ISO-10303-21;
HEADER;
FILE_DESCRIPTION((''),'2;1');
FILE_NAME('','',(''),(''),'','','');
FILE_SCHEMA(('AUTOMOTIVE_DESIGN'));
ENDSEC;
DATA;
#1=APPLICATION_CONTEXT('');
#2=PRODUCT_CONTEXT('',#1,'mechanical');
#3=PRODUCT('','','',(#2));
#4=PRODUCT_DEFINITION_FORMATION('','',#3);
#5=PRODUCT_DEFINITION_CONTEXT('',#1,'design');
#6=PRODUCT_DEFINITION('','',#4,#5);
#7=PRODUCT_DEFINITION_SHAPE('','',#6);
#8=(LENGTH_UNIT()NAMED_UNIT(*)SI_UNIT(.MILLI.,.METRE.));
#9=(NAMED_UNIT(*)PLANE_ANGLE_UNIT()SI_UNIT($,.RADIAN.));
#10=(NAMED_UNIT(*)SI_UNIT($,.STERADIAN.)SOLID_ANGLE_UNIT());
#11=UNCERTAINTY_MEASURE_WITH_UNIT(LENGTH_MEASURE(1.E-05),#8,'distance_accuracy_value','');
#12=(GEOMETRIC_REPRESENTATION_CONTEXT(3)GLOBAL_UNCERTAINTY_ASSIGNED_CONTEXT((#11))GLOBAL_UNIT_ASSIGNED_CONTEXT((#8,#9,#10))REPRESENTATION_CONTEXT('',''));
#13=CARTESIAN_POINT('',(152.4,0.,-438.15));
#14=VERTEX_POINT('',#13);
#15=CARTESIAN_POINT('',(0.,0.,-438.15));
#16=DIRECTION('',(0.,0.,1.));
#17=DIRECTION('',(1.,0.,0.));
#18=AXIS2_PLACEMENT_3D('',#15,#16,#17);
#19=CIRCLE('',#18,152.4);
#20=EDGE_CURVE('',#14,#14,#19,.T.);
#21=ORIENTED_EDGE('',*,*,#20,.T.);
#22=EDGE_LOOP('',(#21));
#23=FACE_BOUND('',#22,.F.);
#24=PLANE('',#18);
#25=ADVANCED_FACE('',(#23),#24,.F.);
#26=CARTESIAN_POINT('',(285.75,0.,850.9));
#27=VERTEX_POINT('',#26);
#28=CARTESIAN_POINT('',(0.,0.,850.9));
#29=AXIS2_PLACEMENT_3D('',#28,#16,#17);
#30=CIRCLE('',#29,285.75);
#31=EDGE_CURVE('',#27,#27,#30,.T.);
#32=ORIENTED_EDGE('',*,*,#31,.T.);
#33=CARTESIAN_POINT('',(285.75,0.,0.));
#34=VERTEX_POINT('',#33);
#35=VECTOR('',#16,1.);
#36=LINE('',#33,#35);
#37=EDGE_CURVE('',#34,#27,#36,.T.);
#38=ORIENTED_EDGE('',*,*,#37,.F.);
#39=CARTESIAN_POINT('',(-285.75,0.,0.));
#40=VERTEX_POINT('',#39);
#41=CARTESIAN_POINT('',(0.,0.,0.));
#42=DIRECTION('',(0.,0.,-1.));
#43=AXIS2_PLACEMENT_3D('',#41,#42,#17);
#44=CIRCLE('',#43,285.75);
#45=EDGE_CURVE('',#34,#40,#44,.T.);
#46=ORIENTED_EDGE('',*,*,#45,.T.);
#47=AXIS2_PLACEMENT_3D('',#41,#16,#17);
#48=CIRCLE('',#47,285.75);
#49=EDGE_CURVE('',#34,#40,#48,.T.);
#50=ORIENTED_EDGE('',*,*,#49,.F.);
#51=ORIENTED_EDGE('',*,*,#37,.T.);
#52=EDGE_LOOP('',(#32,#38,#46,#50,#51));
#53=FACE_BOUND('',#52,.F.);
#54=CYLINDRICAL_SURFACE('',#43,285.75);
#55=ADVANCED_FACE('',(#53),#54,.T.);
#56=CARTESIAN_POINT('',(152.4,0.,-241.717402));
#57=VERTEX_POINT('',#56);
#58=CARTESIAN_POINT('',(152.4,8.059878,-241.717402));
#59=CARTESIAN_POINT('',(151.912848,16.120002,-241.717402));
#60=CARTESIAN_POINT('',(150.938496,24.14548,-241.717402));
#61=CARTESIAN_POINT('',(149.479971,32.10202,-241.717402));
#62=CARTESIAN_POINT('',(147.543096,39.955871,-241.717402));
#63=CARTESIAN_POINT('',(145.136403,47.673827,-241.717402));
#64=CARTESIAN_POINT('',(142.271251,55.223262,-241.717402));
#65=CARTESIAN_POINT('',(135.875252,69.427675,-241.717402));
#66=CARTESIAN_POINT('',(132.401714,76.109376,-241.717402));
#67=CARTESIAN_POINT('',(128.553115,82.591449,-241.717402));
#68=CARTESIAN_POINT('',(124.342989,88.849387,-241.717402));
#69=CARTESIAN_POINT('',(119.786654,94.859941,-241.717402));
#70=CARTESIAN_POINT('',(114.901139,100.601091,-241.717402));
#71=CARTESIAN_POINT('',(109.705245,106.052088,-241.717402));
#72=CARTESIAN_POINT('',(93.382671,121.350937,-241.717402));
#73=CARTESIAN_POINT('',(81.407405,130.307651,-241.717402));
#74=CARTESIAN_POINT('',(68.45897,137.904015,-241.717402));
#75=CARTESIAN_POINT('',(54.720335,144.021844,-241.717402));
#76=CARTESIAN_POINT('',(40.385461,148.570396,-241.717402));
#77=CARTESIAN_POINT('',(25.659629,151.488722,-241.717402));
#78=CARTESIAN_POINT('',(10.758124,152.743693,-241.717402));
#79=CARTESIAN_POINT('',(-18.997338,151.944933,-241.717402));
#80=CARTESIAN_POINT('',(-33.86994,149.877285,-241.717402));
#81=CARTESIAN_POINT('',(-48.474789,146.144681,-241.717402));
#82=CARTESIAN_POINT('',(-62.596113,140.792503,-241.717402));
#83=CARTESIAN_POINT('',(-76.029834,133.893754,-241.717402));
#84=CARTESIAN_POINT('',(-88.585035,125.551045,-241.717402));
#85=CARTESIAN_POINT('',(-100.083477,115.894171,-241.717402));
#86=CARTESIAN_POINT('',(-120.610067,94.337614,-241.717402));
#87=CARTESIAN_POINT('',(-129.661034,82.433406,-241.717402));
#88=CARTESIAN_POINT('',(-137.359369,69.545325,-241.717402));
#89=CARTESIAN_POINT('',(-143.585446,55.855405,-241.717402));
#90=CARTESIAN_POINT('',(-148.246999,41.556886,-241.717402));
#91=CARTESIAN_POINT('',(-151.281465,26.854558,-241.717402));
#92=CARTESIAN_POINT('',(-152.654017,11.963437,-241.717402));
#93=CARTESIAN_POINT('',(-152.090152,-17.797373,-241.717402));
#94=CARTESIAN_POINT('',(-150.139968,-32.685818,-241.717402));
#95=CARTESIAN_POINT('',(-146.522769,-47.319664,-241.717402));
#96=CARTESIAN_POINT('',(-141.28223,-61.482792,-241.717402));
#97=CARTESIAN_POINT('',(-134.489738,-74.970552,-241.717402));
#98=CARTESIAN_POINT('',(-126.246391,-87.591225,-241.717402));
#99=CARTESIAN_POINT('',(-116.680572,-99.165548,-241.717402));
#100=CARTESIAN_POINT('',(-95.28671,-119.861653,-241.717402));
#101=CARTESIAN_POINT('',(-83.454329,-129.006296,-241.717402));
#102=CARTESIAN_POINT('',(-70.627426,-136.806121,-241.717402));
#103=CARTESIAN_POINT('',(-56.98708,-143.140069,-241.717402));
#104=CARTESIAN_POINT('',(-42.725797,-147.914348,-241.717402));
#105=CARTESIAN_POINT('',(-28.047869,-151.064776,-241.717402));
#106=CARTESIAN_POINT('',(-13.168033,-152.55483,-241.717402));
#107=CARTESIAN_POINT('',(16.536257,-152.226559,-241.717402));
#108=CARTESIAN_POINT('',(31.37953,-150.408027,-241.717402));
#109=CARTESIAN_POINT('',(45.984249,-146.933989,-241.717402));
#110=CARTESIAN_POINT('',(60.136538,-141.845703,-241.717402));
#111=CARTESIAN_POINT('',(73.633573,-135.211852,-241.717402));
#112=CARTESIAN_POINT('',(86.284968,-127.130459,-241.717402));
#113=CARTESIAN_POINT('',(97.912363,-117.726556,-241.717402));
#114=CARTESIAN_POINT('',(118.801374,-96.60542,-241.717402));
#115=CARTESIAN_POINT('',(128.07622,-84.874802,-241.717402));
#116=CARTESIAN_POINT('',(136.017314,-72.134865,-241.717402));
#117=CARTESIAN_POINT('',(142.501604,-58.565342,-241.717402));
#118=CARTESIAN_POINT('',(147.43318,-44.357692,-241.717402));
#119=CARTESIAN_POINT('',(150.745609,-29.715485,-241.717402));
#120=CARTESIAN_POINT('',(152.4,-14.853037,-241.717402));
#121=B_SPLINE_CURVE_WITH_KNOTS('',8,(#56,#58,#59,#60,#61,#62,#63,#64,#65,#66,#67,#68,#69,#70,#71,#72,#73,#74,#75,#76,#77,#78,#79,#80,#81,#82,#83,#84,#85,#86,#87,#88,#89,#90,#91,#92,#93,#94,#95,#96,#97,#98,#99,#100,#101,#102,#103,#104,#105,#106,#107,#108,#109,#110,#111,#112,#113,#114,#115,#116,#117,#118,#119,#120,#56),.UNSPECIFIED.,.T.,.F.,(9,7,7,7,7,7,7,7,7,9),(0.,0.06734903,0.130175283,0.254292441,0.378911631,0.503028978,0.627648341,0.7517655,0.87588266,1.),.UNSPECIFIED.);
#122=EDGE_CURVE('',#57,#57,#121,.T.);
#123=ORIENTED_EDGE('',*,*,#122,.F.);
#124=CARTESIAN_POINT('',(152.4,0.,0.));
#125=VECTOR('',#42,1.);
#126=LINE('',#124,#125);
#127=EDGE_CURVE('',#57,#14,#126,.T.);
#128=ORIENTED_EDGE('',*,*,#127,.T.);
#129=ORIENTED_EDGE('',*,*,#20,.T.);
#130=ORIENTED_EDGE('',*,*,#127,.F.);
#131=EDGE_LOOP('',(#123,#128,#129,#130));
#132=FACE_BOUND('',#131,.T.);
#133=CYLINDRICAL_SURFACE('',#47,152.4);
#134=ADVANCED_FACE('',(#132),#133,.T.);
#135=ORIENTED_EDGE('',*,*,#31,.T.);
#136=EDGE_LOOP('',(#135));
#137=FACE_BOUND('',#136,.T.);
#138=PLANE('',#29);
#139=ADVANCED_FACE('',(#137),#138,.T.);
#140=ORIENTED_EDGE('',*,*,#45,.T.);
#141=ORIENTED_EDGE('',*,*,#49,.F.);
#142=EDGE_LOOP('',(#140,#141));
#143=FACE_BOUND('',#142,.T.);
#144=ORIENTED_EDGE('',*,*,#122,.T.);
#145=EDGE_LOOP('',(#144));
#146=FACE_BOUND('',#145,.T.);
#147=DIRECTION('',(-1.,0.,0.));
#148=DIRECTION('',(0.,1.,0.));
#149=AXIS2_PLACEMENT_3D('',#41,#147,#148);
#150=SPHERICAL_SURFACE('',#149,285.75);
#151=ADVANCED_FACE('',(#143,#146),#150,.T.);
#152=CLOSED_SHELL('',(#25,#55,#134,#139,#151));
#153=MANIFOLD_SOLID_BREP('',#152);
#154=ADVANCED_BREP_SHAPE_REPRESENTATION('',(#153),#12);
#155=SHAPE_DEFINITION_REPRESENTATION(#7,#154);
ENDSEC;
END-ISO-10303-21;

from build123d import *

# Parameters (mm, degrees)
F1_ANGLE = -180
F2_R     = 152.4
F3_DEPTH = 438.15
F4_R     = 285.75
F5_DEPTH = 850.9


with BuildPart() as f1:
    # F0 (on Top) → F1 (revolve)
    with BuildSketch(Plane.XY):
        with BuildLine():
            Line((0, 0), (285.75, 0))
            ThreePointArc((285.75, 0), (0, 285.75), (-285.75, 0))
            Line((-285.75, 0), (0, 0))
        make_face()
    revolve(axis=Axis((142.875, 0, 0), (1, 0, 0)), revolution_arc=F1_ANGLE)

    # F2 (on face) → F3 (join)
    with BuildSketch(Plane.XY):
        Circle(F2_R)
    extrude(amount=-F3_DEPTH)

    # F4 (on face) → F5 (join)
    with BuildSketch(Plane.XY):
        Circle(F4_R)
    extrude(amount=F5_DEPTH)


solid = f1.part
